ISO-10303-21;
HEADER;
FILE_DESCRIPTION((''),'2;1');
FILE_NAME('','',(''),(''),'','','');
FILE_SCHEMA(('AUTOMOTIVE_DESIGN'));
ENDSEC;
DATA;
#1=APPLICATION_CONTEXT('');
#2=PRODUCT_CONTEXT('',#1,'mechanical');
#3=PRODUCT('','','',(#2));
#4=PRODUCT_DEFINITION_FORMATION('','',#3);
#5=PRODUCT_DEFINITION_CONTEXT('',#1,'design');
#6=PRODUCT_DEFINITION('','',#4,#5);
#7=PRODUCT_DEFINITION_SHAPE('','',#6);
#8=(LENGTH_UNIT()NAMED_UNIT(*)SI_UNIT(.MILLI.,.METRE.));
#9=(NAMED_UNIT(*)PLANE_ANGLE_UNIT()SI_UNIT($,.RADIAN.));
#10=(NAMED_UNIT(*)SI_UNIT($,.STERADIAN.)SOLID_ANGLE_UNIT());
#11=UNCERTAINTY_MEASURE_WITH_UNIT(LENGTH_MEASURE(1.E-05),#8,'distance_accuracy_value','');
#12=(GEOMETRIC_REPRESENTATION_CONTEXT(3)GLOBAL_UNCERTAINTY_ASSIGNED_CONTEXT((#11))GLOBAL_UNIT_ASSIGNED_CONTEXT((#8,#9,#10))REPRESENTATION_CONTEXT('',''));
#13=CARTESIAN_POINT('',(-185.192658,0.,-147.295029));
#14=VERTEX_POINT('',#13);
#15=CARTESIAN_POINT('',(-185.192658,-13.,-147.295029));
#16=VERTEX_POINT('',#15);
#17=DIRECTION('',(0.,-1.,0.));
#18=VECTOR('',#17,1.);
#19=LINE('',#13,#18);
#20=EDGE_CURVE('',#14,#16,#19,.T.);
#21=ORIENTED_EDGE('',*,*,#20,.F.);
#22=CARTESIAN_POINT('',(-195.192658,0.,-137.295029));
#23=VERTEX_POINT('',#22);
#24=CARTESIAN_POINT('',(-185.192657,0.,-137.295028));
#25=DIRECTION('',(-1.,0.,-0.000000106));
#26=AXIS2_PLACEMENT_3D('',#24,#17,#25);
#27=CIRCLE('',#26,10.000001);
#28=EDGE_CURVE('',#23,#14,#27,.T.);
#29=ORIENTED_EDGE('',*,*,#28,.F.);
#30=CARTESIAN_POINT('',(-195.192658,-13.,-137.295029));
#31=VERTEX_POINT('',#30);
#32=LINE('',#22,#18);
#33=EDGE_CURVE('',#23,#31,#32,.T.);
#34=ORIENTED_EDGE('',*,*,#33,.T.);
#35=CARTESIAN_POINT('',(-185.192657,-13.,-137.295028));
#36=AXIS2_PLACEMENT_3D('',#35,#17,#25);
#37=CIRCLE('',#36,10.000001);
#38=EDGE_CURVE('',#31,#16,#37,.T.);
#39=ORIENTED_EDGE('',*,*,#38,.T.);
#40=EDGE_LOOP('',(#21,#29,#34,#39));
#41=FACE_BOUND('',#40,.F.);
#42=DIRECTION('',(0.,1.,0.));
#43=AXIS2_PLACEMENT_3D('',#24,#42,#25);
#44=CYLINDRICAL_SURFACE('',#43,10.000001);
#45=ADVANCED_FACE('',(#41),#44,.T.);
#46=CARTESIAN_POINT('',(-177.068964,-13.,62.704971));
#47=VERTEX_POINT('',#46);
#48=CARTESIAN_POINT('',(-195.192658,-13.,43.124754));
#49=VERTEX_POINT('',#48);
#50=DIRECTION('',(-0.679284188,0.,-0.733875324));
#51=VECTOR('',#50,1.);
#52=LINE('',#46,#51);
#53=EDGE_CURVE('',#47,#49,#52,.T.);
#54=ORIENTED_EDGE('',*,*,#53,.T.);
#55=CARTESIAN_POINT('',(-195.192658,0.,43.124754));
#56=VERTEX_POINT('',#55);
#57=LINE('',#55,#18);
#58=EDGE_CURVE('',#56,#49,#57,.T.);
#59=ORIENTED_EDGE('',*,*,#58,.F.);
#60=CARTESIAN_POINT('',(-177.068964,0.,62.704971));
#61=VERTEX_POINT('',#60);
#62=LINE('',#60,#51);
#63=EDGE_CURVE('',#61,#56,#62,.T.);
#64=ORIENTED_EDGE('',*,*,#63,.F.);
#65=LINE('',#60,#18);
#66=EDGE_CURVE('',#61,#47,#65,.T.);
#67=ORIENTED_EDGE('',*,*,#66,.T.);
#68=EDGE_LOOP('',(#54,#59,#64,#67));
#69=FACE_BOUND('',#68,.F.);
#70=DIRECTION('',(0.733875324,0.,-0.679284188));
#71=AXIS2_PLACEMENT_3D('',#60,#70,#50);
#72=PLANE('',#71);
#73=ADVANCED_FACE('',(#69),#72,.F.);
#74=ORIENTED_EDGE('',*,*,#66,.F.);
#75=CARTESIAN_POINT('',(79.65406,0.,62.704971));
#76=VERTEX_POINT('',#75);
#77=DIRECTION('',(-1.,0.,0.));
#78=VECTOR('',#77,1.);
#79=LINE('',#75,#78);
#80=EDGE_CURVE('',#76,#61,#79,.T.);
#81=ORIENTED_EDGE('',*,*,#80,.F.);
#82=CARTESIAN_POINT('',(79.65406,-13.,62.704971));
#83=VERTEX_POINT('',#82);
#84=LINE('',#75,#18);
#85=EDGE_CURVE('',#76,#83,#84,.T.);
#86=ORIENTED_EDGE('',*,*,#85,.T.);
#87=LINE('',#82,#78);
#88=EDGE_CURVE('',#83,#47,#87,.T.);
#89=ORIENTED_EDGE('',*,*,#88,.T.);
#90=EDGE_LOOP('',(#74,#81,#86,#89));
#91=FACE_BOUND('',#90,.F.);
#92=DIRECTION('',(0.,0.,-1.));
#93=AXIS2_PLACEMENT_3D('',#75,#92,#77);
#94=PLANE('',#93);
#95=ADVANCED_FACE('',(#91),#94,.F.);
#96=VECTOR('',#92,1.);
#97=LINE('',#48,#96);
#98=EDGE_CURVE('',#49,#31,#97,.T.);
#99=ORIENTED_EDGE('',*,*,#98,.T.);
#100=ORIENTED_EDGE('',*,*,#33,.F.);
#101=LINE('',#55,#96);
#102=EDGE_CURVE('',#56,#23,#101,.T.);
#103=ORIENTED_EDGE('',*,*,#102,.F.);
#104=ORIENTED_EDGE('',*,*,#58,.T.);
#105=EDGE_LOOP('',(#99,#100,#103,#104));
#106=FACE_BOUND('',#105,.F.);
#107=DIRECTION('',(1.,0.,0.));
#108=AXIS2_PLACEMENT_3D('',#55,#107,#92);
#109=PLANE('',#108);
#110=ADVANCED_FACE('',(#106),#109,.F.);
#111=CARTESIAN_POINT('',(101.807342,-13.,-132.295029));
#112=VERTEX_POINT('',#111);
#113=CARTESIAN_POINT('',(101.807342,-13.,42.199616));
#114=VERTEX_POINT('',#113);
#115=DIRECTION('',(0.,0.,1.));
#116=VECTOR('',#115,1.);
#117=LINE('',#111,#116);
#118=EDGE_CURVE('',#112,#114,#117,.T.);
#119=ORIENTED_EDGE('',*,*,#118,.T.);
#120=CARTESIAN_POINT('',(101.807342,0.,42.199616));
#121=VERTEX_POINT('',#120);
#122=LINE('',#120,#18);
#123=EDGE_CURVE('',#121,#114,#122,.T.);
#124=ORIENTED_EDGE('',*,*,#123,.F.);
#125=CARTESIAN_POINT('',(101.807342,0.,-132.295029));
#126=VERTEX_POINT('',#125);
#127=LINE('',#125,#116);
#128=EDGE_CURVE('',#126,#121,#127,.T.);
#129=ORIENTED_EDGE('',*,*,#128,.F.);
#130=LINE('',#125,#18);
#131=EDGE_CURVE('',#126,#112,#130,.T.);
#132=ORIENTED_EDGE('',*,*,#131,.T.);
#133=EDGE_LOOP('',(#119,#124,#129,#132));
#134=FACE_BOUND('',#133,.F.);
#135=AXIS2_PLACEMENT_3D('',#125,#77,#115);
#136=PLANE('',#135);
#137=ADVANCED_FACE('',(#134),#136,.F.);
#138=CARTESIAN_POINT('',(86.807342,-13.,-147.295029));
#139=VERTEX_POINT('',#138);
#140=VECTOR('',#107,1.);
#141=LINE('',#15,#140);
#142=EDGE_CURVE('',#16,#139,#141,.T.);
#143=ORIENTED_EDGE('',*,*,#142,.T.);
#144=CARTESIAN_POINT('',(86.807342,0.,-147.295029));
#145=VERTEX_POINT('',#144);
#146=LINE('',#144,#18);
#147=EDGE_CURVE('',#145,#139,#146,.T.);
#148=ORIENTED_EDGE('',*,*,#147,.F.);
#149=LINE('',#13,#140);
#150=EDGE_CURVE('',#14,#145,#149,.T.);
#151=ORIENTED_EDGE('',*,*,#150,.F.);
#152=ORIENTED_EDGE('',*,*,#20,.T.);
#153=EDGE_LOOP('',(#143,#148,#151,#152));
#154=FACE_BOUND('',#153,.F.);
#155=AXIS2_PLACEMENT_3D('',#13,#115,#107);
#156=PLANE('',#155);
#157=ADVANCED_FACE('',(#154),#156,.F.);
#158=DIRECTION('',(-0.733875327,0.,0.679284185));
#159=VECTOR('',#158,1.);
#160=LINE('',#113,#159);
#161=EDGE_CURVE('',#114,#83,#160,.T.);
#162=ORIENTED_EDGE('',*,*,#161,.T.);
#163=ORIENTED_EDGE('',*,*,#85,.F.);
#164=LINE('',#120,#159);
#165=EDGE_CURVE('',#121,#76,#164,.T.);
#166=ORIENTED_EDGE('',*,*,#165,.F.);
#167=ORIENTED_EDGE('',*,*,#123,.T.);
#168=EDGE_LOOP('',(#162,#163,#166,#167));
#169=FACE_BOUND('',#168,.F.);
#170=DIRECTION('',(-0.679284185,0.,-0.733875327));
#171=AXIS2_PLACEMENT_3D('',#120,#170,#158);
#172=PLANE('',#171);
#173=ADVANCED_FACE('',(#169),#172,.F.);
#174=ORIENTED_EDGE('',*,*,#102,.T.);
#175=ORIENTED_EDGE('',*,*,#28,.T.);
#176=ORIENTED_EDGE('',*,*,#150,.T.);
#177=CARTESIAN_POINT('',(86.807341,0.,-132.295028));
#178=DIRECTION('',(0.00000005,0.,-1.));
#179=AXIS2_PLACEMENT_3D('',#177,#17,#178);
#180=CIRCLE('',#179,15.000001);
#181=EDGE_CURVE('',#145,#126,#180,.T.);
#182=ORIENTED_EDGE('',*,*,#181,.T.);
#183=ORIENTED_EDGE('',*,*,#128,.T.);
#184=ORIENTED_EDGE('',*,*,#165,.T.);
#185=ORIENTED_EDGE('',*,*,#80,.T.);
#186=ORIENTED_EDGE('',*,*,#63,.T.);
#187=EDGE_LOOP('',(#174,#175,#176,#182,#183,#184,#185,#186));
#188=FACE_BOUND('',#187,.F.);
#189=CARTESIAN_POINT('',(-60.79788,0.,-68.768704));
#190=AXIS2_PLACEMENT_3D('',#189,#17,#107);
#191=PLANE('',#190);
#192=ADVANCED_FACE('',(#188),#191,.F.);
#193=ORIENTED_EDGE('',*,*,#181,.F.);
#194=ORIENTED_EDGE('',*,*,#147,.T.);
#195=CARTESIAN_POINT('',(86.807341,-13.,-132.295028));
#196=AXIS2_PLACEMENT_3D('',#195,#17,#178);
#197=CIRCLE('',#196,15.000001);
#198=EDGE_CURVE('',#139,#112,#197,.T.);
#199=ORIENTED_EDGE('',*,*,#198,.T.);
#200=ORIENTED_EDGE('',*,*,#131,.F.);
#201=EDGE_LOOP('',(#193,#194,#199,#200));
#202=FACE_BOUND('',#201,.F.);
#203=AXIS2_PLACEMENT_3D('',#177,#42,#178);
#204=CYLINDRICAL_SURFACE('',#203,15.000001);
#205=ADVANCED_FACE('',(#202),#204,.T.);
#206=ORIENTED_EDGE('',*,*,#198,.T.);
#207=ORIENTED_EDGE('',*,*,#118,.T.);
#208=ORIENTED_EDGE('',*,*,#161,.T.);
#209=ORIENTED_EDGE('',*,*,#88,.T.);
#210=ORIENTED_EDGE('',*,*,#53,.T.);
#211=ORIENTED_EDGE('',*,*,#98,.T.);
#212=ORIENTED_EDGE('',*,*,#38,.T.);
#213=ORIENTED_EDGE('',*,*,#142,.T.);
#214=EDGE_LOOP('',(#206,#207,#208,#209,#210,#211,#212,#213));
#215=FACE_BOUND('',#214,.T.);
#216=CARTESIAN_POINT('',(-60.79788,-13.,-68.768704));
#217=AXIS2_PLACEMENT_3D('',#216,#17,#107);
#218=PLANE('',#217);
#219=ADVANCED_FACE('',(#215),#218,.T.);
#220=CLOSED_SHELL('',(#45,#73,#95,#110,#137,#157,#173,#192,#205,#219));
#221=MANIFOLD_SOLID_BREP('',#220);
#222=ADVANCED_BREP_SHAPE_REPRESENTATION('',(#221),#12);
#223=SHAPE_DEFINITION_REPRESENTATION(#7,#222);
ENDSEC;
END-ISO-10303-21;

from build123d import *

# Parameters (mm, degrees)
F0_W     = 120
F0_H     = 10
F0_H_2   = 43
F0_H_3   = 15
F1_DEPTH = 13


with BuildPart() as f1:
    # F0 (on Front) → F1 (new body)
    with BuildSketch(Plane.XZ):
        with BuildLine():
            Line((79.65406, 62.704971), (-177.068964, 62.704971))
            Line((-177.068964, 62.704971), (-195.192658, 43.124754))
            Line((-195.192658, 43.124754), (-195.192658, -82.32457))
            Line((-195.192658, -82.32457), (-75.192658, -82.32457))
            Line((-75.192658, -82.32457), (-75.192658, -92.32457))
            Line((-75.192658, -92.32457), (-195.192658, -92.32457))
            Line((-195.192658, -92.32457), (-195.192658, -109.70904))
            Line((-195.192658, -109.70904), (-75.192658, -109.70904))
            Line((-75.192658, -109.70904), (-75.192658, -124.70904))
            Line((-75.192658, -124.70904), (-195.192658, -124.70904))
            Line((-195.192658, -124.70904), (-195.192658, -137.295029))
            ThreePointArc((-195.192658, -137.295029), (-192.263725, -144.366097), (-185.192658, -147.295029))
            Line((-185.192658, -147.295029), (86.807342, -147.295029))
            ThreePointArc((86.807342, -147.295029), (97.413944, -142.90163), (101.807342, -132.295029))
            Line((101.807342, -132.295029), (101.807342, -125.32457))
            Line((101.807342, -125.32457), (-18.192658, -125.32457))
            Line((-18.192658, -125.32457), (-18.192658, -82.32457))
            Line((-18.192658, -82.32457), (101.807342, -82.32457))
            Line((101.807342, -82.32457), (101.807342, 42.199616))
            Line((101.807342, 42.199616), (79.65406, 62.704971))
        make_face()
        with Locations((-135.192658, -87.32457)):
            Rectangle(F0_W, F0_H)
        with Locations((41.807342, -103.82457)):
            Rectangle(F0_W, F0_H_2)
        with Locations((-135.192658, -117.20904)):
            Rectangle(F0_W, F0_H_3)
    extrude(amount=F1_DEPTH)


solid = f1.part
